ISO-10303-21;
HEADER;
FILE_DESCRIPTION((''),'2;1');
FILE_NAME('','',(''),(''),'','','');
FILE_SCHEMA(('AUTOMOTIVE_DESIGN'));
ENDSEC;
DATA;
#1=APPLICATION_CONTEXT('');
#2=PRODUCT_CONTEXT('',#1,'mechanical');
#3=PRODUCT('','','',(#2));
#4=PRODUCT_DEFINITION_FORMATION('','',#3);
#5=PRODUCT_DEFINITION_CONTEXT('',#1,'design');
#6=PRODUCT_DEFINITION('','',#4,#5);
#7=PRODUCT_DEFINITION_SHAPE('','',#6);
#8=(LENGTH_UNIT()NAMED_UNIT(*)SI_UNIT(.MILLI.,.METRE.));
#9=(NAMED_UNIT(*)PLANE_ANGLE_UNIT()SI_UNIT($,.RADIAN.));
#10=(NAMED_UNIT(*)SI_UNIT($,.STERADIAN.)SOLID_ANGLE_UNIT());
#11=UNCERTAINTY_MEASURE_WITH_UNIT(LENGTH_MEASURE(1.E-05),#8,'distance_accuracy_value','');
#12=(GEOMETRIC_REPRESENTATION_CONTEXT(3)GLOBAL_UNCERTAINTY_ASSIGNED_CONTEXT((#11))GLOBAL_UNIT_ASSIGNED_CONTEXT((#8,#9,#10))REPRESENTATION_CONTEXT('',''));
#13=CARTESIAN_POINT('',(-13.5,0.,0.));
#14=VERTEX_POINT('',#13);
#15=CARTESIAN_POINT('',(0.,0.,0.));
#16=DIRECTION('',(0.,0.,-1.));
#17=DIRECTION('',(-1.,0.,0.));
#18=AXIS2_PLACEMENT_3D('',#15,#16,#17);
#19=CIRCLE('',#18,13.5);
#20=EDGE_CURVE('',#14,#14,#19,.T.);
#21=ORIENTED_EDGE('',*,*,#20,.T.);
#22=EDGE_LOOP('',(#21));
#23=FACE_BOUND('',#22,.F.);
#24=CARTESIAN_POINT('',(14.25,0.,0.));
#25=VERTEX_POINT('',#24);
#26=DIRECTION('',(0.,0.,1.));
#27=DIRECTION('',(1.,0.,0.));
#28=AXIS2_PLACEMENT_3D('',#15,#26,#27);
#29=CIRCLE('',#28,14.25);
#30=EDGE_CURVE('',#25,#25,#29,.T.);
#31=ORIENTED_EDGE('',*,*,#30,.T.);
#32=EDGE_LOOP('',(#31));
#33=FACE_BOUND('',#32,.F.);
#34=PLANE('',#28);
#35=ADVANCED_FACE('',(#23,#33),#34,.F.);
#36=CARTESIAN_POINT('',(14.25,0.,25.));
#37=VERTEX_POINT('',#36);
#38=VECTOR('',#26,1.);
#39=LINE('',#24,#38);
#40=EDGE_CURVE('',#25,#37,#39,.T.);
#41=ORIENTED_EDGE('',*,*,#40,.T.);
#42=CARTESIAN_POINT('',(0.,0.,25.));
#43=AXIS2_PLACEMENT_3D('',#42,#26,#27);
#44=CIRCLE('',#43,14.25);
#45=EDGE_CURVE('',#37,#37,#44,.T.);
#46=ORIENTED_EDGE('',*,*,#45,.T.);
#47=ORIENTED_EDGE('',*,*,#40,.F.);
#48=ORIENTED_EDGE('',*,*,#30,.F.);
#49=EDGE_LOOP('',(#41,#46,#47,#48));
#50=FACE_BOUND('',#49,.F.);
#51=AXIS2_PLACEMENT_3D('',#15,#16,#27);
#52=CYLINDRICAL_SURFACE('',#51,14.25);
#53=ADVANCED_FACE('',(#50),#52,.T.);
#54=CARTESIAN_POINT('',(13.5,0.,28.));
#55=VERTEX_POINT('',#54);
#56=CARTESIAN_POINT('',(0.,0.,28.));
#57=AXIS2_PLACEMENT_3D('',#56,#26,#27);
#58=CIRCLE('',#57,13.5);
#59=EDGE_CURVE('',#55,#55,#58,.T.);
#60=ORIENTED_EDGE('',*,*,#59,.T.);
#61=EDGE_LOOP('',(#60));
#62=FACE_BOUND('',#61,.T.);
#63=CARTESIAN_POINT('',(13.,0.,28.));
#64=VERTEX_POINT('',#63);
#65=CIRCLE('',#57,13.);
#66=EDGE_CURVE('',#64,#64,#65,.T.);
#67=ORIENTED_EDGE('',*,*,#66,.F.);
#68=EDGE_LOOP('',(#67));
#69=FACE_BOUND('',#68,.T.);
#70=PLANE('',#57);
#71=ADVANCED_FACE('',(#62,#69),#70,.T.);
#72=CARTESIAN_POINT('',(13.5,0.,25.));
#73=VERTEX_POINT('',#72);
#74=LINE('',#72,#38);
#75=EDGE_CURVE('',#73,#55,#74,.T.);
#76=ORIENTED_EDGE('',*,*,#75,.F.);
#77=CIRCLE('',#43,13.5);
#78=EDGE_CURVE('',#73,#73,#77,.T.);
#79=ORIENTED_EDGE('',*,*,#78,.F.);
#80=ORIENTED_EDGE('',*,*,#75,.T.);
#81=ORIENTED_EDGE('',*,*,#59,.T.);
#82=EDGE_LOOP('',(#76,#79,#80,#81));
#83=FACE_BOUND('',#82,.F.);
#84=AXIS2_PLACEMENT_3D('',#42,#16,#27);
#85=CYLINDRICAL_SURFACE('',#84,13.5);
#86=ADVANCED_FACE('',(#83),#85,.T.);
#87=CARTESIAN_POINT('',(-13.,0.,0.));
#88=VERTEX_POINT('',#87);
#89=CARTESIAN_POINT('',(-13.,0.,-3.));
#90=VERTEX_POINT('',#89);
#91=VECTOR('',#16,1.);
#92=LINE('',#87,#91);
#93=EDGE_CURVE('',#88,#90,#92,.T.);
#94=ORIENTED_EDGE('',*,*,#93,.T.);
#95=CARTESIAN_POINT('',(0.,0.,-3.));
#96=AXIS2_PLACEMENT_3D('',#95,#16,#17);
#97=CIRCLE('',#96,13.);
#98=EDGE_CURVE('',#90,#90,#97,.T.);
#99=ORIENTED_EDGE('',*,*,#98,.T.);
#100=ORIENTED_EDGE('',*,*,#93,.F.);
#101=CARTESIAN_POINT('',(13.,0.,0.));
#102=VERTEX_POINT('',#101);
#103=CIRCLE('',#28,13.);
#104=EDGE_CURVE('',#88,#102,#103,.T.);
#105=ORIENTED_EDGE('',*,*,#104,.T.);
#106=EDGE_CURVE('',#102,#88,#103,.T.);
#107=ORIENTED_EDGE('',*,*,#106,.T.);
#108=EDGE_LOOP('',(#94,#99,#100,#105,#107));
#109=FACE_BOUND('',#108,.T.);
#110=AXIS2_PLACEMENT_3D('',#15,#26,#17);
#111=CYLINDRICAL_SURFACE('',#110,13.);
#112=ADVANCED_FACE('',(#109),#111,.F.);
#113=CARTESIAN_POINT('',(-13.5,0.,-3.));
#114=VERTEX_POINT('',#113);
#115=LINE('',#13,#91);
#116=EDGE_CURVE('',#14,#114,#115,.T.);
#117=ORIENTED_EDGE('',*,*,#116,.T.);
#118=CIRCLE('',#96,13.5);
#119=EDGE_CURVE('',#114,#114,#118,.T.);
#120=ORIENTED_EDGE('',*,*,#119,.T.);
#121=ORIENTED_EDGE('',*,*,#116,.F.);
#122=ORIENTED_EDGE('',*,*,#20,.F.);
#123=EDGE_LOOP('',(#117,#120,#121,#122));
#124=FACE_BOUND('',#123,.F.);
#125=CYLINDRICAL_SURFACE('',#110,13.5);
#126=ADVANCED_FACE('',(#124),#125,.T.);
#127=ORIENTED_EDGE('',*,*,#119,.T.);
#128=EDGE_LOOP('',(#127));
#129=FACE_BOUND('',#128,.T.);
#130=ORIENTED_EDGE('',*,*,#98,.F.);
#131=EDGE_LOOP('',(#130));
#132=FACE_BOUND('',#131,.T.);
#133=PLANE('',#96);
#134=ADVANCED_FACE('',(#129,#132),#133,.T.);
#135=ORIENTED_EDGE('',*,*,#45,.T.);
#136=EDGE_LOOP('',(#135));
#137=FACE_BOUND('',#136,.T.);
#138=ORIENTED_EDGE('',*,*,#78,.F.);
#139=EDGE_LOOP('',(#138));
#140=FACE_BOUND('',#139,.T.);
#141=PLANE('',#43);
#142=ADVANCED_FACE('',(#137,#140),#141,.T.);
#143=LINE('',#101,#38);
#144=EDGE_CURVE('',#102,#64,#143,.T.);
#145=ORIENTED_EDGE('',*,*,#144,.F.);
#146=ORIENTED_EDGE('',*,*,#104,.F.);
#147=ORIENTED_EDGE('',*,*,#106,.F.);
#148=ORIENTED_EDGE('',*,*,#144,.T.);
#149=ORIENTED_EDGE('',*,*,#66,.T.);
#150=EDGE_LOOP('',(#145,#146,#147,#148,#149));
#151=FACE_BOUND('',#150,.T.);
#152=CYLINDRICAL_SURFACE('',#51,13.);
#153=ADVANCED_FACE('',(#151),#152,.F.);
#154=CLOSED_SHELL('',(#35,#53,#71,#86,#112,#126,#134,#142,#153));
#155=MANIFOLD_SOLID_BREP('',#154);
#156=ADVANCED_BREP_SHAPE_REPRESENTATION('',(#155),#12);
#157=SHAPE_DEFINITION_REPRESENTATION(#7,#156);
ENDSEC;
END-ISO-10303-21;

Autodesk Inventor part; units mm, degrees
ref_plane "YZ Plane" through (0, 0, 0) normal (1, 0, 0) x (0, 1, 0)
ref_plane "XZ Plane" through (0, 0, 0) normal (0, 1, 0) x (-1, 0, 0)
sketch "Sketch1" plane through (0, 0, 0) normal (0, 0, 1) x (1, 0, 0)
  arc A0 (-4.218, 13.0871) -> (12.3207, -6.1043) centre (0, 0) ccw projected
  circle A1 centre (0, 0) radius 14.25
  circle A2 centre (0, 0) radius 13
  point P0 (0, 0)
  dimension "d0" = 28.5
  dimension "d1" = 26
ref_plane "Work Plane1" through (-15.0438, -15.0438, 25) normal (0, 0, -1) x (0, 1, 0)
extrude "Extrusion1" add sketch "Sketch1" along normal up to surface (25 mm away)
sketch "Sketch2" plane through (0, 0, 25) normal (0, 0, 1) x (1, 0, 0)
  circle A0 centre (0, 0) radius 13.5
  circle A1 centre (0, 0) radius 13 projected
  circle A2 centre (0, 0) radius 13 projected
  dimension "d4" = 27
extrude "Extrusion2" add sketch "Sketch2" along normal blind 3
sketch "Sketch3" plane through (0, 0, 0) normal (0, 0, -1) x (-1, 0, 0)
  circle A0 centre (0, 0) radius 13 projected
  circle A1 centre (0, 0) radius 13.5 projected
  point P0 (0, 0)
extrude "Extrusion3" add sketch "Sketch3" along normal blind 3
properties part number "30_CUBE_openVCM_voicecoil"
